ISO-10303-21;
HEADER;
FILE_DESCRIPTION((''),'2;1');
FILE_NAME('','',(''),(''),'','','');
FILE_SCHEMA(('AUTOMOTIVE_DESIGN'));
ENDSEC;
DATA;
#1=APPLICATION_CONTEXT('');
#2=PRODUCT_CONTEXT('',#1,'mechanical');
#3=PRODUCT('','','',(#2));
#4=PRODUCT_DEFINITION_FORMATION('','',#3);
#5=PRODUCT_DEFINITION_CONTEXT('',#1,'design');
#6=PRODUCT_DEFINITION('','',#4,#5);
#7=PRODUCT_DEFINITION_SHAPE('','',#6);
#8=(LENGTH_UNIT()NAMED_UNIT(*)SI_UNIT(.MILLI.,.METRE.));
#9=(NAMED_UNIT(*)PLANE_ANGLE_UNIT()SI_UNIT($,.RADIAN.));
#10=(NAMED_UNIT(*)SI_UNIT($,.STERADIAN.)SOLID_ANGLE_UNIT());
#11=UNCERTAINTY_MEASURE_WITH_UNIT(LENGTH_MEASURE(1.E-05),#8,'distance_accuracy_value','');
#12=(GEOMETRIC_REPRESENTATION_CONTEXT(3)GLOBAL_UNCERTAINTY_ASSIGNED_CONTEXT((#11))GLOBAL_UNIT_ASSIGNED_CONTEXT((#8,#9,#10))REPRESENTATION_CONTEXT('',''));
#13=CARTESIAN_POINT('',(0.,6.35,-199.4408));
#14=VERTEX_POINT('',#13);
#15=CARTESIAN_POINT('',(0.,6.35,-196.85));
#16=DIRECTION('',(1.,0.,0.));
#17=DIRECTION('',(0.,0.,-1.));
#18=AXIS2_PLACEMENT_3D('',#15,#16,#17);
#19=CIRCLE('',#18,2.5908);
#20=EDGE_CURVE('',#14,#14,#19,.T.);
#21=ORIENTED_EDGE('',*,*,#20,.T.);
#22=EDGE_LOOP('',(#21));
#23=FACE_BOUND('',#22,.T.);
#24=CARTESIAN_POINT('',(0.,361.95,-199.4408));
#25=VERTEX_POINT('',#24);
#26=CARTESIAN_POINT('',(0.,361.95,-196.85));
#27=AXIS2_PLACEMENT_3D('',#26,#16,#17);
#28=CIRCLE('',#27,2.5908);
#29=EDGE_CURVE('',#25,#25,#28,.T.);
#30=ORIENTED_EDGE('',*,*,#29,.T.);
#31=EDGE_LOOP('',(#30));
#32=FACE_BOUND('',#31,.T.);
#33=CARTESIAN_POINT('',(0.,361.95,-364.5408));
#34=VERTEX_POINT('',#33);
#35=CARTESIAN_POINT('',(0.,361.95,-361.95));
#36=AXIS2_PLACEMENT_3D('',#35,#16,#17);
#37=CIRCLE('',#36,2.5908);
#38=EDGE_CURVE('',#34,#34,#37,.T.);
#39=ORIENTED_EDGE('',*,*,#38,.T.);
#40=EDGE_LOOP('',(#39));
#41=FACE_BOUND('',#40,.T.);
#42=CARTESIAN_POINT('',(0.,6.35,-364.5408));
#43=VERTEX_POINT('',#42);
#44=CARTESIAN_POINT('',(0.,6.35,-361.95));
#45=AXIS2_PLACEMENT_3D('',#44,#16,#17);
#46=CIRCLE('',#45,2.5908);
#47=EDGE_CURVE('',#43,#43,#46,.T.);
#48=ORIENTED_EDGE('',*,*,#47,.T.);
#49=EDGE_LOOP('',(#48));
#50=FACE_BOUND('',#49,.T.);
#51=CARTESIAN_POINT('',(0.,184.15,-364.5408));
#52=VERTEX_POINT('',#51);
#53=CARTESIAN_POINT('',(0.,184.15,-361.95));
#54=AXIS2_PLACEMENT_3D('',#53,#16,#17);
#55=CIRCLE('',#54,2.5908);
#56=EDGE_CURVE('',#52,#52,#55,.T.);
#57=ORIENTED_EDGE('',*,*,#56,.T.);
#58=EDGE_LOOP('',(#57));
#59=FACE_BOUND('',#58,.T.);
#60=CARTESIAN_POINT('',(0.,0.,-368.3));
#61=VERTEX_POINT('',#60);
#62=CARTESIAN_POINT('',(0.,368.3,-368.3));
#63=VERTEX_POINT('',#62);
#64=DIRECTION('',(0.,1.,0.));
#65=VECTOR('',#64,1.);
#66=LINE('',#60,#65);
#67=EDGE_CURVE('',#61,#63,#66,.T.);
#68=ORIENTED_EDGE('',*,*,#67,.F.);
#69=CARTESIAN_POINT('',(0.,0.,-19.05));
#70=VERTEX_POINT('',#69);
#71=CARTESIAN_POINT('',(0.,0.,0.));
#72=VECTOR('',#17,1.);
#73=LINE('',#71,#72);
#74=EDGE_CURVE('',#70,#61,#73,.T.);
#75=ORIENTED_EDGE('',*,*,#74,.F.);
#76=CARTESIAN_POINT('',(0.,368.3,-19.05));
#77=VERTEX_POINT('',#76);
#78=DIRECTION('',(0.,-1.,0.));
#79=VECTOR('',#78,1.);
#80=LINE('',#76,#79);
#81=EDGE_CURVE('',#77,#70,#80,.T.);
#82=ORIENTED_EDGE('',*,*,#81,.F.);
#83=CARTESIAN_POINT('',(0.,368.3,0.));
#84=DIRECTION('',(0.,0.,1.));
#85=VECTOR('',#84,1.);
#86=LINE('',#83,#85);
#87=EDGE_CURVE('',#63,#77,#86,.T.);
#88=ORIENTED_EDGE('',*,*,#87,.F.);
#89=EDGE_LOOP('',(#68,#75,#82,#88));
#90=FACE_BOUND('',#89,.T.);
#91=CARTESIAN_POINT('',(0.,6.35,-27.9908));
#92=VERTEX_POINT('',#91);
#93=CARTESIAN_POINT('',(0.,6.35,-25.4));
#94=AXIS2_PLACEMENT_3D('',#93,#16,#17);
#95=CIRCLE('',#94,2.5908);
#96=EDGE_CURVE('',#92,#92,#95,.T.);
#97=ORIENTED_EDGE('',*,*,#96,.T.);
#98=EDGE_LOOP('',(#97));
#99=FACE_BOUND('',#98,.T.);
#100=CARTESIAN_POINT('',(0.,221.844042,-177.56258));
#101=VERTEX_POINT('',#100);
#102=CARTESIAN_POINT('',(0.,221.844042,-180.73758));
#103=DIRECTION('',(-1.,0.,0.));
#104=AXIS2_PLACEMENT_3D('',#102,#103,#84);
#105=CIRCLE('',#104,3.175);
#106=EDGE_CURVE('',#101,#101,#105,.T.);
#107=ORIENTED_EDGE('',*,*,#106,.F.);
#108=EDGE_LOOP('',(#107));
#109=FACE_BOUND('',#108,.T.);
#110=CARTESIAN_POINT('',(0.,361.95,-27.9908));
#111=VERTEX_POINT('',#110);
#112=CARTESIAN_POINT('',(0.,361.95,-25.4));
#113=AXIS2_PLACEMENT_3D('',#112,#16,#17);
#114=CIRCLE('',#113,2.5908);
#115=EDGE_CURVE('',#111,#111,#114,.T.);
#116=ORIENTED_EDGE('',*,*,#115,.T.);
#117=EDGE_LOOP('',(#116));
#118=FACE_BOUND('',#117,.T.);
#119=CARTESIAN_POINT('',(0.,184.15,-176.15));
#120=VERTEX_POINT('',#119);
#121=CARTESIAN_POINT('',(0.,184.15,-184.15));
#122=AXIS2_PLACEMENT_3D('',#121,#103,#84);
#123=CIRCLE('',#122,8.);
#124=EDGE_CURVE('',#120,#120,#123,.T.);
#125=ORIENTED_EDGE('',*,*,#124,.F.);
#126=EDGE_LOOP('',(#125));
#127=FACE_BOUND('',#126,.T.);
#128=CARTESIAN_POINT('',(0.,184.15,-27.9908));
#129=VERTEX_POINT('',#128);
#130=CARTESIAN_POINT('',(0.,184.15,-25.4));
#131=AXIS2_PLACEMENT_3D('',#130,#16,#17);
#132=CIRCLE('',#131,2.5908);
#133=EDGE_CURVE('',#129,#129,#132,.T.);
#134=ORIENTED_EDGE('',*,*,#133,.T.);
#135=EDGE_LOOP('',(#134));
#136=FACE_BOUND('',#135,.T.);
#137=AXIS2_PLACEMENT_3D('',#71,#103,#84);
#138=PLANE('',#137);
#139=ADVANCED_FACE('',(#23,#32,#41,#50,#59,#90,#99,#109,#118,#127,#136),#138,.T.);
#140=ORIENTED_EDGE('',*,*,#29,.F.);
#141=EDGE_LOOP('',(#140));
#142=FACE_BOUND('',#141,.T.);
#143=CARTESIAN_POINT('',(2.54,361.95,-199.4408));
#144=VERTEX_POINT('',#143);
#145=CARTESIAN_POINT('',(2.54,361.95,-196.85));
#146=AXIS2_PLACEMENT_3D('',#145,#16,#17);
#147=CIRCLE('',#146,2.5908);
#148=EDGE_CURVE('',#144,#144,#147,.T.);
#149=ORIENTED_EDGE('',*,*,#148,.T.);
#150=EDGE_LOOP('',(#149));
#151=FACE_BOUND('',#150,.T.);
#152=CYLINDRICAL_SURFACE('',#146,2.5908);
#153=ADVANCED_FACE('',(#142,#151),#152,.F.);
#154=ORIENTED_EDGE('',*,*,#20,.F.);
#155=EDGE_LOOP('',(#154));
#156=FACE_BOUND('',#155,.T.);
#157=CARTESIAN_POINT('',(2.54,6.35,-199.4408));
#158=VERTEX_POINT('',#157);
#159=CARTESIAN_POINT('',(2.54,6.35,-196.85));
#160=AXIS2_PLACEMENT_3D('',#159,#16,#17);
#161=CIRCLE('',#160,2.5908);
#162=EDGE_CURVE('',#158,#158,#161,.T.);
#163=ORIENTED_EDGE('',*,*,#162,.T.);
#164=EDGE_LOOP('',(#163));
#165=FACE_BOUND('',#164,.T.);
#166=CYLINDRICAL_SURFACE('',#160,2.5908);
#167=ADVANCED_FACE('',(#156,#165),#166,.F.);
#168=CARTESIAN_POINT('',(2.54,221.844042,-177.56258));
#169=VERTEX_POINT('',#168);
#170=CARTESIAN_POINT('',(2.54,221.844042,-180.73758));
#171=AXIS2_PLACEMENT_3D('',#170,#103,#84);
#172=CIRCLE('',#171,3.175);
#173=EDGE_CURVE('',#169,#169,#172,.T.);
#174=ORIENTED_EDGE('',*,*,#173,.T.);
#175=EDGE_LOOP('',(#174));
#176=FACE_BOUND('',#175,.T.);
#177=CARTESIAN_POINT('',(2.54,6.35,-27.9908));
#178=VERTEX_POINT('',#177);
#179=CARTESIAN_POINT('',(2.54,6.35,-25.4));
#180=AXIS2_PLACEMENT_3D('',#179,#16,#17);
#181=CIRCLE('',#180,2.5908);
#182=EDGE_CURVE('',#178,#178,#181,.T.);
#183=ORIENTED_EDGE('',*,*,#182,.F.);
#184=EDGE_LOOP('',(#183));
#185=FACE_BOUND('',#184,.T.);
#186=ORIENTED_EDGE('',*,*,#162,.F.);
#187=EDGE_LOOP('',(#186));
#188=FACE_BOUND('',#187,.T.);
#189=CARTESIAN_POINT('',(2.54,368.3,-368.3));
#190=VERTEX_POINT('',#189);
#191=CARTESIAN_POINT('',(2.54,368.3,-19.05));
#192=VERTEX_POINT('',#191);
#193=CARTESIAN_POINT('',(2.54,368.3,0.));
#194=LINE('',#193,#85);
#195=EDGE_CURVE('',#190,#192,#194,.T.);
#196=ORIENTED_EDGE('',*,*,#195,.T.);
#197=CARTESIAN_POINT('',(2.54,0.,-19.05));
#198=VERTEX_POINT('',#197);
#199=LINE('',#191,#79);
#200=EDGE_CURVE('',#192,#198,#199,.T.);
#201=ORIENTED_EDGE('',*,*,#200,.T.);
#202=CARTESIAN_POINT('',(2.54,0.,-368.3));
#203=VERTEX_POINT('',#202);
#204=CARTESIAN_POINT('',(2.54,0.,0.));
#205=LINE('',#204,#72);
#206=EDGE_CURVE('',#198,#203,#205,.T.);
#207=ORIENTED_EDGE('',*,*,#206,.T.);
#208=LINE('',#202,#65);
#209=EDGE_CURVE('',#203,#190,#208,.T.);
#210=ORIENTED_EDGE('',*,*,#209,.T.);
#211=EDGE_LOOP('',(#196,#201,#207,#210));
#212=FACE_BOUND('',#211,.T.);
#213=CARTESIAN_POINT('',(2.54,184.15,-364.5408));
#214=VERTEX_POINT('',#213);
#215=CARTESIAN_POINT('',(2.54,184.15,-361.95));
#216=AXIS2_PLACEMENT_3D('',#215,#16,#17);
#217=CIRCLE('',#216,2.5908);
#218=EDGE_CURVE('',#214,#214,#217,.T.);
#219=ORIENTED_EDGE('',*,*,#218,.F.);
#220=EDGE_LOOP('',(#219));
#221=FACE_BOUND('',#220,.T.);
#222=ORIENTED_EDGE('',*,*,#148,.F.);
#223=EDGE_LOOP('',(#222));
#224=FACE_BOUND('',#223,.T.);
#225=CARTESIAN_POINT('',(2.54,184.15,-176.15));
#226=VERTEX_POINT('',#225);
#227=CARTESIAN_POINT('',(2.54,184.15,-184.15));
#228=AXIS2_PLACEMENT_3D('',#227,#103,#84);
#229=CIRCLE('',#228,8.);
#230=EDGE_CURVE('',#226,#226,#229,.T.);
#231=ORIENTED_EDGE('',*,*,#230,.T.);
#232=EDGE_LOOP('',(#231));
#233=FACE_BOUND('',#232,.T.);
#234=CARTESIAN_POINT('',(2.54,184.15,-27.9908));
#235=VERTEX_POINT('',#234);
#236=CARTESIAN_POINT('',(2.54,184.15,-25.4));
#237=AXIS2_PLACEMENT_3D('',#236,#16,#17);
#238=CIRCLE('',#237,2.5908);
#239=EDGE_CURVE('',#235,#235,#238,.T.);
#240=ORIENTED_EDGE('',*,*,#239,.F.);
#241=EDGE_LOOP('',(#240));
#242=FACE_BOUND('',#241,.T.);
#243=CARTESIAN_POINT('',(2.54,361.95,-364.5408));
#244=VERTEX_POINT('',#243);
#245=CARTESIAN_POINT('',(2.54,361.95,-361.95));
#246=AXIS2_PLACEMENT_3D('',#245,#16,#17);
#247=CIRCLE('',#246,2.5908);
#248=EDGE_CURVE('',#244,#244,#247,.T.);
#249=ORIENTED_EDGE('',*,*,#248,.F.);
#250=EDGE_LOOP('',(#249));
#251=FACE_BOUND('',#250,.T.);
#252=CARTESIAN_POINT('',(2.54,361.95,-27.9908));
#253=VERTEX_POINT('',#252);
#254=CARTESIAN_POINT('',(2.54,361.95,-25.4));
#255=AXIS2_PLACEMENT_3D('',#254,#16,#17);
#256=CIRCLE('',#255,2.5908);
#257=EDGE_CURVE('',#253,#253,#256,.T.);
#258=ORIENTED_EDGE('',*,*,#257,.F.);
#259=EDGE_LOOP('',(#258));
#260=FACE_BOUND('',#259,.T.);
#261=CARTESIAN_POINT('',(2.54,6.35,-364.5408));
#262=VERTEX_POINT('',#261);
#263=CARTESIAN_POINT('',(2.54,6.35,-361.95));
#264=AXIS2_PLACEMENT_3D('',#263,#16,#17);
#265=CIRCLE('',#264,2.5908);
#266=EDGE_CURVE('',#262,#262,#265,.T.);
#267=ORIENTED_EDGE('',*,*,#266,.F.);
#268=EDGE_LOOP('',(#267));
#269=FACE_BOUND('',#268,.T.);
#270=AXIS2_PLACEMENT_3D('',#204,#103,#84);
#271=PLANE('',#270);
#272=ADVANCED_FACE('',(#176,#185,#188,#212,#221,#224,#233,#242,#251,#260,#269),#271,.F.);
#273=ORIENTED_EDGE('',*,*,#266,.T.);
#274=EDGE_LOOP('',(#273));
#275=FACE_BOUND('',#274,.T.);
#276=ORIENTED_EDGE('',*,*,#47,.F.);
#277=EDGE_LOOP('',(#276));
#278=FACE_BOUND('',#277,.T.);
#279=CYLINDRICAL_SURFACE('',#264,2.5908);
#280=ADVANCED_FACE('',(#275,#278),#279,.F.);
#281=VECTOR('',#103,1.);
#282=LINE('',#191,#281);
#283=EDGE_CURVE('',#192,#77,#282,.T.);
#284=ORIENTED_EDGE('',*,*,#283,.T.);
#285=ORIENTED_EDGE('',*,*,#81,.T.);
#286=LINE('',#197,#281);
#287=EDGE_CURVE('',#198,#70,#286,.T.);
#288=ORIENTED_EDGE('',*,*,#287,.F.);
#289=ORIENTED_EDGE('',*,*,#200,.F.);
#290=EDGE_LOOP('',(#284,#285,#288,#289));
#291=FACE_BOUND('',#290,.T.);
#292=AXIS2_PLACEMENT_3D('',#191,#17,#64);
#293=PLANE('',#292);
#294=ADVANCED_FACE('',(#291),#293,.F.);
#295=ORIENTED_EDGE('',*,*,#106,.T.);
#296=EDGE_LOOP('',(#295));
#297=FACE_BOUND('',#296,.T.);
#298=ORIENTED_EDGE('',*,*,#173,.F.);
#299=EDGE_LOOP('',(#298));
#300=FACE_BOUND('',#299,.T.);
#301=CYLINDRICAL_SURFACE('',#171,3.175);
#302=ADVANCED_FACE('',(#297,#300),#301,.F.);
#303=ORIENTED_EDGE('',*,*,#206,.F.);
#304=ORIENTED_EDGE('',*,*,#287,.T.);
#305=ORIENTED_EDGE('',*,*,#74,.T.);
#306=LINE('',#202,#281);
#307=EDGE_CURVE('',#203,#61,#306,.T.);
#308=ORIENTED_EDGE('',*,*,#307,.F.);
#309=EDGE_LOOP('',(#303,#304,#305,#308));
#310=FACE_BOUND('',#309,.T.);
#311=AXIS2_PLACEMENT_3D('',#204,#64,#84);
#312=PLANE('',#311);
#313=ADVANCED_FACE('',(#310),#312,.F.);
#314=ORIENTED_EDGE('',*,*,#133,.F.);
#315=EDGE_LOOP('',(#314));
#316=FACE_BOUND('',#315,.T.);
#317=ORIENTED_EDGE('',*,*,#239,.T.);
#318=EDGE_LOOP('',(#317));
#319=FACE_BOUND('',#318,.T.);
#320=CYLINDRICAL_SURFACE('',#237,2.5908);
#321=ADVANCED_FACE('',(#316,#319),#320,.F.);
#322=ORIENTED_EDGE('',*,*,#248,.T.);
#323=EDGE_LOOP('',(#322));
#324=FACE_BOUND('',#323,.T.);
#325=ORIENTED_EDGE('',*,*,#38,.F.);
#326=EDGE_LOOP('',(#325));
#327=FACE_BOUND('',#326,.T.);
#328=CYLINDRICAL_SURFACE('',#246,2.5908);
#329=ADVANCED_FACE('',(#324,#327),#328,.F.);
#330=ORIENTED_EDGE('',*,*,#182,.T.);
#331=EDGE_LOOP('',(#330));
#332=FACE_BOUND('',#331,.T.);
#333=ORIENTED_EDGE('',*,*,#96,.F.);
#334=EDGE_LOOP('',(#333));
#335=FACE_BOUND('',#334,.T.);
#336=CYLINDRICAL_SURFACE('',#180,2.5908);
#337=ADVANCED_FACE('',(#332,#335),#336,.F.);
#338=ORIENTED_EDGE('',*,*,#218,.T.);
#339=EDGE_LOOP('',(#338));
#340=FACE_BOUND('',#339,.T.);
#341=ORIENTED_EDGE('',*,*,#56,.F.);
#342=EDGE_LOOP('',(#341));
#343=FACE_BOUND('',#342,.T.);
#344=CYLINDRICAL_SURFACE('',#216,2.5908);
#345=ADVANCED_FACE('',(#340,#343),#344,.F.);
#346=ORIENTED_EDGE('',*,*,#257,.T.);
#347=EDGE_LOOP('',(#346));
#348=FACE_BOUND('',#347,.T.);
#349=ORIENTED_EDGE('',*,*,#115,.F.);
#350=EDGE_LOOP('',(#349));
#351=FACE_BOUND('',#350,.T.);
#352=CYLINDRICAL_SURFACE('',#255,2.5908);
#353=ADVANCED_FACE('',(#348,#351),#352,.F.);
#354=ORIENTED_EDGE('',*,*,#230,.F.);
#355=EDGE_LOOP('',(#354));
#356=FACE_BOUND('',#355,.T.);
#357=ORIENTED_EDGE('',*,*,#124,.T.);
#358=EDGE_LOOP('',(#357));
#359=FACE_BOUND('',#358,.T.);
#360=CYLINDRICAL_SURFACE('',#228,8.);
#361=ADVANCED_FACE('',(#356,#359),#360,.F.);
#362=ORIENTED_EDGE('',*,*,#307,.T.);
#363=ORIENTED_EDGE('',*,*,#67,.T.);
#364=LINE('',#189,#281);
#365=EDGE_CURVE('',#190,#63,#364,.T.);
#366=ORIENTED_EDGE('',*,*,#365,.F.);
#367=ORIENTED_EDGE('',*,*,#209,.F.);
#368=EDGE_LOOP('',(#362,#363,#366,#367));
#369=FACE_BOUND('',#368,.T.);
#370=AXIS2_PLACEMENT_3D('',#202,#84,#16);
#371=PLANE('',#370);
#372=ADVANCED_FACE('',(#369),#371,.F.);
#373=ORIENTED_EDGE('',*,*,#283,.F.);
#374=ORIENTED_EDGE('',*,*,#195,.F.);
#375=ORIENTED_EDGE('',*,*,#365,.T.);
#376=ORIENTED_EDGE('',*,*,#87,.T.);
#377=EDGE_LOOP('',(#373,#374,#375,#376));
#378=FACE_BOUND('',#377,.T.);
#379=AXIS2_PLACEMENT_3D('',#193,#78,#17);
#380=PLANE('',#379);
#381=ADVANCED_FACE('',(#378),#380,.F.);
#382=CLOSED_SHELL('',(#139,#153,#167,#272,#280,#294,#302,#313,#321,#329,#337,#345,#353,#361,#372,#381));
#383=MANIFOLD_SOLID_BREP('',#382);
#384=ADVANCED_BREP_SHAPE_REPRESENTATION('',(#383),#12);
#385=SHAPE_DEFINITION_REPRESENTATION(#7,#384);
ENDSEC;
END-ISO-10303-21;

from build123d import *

# Parameters (mm, degrees)
SKETCH1_W                  = 368.3
SKETCH1_H                  = 368.3
BOSS_EXTRUDE1_DEPTH        = 2.54
F_6_0_204_DIAMETER_HOLE1_D = 5.1816
SKETCH3_W                  = 19.05
SKETCH3_H                  = 368.3
CUT_EXTRUDE1_DEPTH         = 2.54
SKETCH4_R                  = 8
CUT_EXTRUDE2_DEPTH         = 3.54
SKETCH5_R                  = 3.175
CUT_EXTRUDE3_DEPTH         = 2.54


with BuildPart() as part:
    # Sketch1 → Boss-Extrude1 (new body)
    with BuildSketch(Plane(origin=(0, 0, 0), x_dir=(0, 0, -1), z_dir=(1, 0, 0))):
        with Locations((184.15, 184.15)):
            Rectangle(SKETCH1_W, SKETCH1_H)
    extrude(amount=BOSS_EXTRUDE1_DEPTH)

    # #6 (0.204) Diameter Hole1 (through all)
    with Locations(Plane(origin=(2.54, 361.95, -361.95), x_dir=(0, 0, 1), z_dir=(1, 0, 0))):
        with Locations((0, 0), (0, 355.6), (336.55, 355.6), (336.55, 0), (336.55, 177.8), (0, 177.8), (165.1, 355.6), (165.1, 0)):
            Hole(F_6_0_204_DIAMETER_HOLE1_D / 2)

    # Sketch3 → Cut-Extrude1 (cut)
    with BuildSketch(Plane.ZY):
        with Locations((-9.525, 184.15)):
            Rectangle(SKETCH3_W, SKETCH3_H)
    extrude(amount=-CUT_EXTRUDE1_DEPTH, mode=Mode.SUBTRACT)

    # Sketch4 → Cut-Extrude2 (cut, through all)
    with BuildSketch(Plane.ZY):
        with Locations((-184.15, 184.15)):
            Circle(SKETCH4_R)
    extrude(amount=-CUT_EXTRUDE2_DEPTH, mode=Mode.SUBTRACT)

    # Sketch5 → Cut-Extrude3 (cut)
    with BuildSketch(Plane.ZY):
        with Locations((-180.737580342, 221.844041513)):
            Circle(SKETCH5_R)
    extrude(amount=-CUT_EXTRUDE3_DEPTH, mode=Mode.SUBTRACT)


solid = part.part
